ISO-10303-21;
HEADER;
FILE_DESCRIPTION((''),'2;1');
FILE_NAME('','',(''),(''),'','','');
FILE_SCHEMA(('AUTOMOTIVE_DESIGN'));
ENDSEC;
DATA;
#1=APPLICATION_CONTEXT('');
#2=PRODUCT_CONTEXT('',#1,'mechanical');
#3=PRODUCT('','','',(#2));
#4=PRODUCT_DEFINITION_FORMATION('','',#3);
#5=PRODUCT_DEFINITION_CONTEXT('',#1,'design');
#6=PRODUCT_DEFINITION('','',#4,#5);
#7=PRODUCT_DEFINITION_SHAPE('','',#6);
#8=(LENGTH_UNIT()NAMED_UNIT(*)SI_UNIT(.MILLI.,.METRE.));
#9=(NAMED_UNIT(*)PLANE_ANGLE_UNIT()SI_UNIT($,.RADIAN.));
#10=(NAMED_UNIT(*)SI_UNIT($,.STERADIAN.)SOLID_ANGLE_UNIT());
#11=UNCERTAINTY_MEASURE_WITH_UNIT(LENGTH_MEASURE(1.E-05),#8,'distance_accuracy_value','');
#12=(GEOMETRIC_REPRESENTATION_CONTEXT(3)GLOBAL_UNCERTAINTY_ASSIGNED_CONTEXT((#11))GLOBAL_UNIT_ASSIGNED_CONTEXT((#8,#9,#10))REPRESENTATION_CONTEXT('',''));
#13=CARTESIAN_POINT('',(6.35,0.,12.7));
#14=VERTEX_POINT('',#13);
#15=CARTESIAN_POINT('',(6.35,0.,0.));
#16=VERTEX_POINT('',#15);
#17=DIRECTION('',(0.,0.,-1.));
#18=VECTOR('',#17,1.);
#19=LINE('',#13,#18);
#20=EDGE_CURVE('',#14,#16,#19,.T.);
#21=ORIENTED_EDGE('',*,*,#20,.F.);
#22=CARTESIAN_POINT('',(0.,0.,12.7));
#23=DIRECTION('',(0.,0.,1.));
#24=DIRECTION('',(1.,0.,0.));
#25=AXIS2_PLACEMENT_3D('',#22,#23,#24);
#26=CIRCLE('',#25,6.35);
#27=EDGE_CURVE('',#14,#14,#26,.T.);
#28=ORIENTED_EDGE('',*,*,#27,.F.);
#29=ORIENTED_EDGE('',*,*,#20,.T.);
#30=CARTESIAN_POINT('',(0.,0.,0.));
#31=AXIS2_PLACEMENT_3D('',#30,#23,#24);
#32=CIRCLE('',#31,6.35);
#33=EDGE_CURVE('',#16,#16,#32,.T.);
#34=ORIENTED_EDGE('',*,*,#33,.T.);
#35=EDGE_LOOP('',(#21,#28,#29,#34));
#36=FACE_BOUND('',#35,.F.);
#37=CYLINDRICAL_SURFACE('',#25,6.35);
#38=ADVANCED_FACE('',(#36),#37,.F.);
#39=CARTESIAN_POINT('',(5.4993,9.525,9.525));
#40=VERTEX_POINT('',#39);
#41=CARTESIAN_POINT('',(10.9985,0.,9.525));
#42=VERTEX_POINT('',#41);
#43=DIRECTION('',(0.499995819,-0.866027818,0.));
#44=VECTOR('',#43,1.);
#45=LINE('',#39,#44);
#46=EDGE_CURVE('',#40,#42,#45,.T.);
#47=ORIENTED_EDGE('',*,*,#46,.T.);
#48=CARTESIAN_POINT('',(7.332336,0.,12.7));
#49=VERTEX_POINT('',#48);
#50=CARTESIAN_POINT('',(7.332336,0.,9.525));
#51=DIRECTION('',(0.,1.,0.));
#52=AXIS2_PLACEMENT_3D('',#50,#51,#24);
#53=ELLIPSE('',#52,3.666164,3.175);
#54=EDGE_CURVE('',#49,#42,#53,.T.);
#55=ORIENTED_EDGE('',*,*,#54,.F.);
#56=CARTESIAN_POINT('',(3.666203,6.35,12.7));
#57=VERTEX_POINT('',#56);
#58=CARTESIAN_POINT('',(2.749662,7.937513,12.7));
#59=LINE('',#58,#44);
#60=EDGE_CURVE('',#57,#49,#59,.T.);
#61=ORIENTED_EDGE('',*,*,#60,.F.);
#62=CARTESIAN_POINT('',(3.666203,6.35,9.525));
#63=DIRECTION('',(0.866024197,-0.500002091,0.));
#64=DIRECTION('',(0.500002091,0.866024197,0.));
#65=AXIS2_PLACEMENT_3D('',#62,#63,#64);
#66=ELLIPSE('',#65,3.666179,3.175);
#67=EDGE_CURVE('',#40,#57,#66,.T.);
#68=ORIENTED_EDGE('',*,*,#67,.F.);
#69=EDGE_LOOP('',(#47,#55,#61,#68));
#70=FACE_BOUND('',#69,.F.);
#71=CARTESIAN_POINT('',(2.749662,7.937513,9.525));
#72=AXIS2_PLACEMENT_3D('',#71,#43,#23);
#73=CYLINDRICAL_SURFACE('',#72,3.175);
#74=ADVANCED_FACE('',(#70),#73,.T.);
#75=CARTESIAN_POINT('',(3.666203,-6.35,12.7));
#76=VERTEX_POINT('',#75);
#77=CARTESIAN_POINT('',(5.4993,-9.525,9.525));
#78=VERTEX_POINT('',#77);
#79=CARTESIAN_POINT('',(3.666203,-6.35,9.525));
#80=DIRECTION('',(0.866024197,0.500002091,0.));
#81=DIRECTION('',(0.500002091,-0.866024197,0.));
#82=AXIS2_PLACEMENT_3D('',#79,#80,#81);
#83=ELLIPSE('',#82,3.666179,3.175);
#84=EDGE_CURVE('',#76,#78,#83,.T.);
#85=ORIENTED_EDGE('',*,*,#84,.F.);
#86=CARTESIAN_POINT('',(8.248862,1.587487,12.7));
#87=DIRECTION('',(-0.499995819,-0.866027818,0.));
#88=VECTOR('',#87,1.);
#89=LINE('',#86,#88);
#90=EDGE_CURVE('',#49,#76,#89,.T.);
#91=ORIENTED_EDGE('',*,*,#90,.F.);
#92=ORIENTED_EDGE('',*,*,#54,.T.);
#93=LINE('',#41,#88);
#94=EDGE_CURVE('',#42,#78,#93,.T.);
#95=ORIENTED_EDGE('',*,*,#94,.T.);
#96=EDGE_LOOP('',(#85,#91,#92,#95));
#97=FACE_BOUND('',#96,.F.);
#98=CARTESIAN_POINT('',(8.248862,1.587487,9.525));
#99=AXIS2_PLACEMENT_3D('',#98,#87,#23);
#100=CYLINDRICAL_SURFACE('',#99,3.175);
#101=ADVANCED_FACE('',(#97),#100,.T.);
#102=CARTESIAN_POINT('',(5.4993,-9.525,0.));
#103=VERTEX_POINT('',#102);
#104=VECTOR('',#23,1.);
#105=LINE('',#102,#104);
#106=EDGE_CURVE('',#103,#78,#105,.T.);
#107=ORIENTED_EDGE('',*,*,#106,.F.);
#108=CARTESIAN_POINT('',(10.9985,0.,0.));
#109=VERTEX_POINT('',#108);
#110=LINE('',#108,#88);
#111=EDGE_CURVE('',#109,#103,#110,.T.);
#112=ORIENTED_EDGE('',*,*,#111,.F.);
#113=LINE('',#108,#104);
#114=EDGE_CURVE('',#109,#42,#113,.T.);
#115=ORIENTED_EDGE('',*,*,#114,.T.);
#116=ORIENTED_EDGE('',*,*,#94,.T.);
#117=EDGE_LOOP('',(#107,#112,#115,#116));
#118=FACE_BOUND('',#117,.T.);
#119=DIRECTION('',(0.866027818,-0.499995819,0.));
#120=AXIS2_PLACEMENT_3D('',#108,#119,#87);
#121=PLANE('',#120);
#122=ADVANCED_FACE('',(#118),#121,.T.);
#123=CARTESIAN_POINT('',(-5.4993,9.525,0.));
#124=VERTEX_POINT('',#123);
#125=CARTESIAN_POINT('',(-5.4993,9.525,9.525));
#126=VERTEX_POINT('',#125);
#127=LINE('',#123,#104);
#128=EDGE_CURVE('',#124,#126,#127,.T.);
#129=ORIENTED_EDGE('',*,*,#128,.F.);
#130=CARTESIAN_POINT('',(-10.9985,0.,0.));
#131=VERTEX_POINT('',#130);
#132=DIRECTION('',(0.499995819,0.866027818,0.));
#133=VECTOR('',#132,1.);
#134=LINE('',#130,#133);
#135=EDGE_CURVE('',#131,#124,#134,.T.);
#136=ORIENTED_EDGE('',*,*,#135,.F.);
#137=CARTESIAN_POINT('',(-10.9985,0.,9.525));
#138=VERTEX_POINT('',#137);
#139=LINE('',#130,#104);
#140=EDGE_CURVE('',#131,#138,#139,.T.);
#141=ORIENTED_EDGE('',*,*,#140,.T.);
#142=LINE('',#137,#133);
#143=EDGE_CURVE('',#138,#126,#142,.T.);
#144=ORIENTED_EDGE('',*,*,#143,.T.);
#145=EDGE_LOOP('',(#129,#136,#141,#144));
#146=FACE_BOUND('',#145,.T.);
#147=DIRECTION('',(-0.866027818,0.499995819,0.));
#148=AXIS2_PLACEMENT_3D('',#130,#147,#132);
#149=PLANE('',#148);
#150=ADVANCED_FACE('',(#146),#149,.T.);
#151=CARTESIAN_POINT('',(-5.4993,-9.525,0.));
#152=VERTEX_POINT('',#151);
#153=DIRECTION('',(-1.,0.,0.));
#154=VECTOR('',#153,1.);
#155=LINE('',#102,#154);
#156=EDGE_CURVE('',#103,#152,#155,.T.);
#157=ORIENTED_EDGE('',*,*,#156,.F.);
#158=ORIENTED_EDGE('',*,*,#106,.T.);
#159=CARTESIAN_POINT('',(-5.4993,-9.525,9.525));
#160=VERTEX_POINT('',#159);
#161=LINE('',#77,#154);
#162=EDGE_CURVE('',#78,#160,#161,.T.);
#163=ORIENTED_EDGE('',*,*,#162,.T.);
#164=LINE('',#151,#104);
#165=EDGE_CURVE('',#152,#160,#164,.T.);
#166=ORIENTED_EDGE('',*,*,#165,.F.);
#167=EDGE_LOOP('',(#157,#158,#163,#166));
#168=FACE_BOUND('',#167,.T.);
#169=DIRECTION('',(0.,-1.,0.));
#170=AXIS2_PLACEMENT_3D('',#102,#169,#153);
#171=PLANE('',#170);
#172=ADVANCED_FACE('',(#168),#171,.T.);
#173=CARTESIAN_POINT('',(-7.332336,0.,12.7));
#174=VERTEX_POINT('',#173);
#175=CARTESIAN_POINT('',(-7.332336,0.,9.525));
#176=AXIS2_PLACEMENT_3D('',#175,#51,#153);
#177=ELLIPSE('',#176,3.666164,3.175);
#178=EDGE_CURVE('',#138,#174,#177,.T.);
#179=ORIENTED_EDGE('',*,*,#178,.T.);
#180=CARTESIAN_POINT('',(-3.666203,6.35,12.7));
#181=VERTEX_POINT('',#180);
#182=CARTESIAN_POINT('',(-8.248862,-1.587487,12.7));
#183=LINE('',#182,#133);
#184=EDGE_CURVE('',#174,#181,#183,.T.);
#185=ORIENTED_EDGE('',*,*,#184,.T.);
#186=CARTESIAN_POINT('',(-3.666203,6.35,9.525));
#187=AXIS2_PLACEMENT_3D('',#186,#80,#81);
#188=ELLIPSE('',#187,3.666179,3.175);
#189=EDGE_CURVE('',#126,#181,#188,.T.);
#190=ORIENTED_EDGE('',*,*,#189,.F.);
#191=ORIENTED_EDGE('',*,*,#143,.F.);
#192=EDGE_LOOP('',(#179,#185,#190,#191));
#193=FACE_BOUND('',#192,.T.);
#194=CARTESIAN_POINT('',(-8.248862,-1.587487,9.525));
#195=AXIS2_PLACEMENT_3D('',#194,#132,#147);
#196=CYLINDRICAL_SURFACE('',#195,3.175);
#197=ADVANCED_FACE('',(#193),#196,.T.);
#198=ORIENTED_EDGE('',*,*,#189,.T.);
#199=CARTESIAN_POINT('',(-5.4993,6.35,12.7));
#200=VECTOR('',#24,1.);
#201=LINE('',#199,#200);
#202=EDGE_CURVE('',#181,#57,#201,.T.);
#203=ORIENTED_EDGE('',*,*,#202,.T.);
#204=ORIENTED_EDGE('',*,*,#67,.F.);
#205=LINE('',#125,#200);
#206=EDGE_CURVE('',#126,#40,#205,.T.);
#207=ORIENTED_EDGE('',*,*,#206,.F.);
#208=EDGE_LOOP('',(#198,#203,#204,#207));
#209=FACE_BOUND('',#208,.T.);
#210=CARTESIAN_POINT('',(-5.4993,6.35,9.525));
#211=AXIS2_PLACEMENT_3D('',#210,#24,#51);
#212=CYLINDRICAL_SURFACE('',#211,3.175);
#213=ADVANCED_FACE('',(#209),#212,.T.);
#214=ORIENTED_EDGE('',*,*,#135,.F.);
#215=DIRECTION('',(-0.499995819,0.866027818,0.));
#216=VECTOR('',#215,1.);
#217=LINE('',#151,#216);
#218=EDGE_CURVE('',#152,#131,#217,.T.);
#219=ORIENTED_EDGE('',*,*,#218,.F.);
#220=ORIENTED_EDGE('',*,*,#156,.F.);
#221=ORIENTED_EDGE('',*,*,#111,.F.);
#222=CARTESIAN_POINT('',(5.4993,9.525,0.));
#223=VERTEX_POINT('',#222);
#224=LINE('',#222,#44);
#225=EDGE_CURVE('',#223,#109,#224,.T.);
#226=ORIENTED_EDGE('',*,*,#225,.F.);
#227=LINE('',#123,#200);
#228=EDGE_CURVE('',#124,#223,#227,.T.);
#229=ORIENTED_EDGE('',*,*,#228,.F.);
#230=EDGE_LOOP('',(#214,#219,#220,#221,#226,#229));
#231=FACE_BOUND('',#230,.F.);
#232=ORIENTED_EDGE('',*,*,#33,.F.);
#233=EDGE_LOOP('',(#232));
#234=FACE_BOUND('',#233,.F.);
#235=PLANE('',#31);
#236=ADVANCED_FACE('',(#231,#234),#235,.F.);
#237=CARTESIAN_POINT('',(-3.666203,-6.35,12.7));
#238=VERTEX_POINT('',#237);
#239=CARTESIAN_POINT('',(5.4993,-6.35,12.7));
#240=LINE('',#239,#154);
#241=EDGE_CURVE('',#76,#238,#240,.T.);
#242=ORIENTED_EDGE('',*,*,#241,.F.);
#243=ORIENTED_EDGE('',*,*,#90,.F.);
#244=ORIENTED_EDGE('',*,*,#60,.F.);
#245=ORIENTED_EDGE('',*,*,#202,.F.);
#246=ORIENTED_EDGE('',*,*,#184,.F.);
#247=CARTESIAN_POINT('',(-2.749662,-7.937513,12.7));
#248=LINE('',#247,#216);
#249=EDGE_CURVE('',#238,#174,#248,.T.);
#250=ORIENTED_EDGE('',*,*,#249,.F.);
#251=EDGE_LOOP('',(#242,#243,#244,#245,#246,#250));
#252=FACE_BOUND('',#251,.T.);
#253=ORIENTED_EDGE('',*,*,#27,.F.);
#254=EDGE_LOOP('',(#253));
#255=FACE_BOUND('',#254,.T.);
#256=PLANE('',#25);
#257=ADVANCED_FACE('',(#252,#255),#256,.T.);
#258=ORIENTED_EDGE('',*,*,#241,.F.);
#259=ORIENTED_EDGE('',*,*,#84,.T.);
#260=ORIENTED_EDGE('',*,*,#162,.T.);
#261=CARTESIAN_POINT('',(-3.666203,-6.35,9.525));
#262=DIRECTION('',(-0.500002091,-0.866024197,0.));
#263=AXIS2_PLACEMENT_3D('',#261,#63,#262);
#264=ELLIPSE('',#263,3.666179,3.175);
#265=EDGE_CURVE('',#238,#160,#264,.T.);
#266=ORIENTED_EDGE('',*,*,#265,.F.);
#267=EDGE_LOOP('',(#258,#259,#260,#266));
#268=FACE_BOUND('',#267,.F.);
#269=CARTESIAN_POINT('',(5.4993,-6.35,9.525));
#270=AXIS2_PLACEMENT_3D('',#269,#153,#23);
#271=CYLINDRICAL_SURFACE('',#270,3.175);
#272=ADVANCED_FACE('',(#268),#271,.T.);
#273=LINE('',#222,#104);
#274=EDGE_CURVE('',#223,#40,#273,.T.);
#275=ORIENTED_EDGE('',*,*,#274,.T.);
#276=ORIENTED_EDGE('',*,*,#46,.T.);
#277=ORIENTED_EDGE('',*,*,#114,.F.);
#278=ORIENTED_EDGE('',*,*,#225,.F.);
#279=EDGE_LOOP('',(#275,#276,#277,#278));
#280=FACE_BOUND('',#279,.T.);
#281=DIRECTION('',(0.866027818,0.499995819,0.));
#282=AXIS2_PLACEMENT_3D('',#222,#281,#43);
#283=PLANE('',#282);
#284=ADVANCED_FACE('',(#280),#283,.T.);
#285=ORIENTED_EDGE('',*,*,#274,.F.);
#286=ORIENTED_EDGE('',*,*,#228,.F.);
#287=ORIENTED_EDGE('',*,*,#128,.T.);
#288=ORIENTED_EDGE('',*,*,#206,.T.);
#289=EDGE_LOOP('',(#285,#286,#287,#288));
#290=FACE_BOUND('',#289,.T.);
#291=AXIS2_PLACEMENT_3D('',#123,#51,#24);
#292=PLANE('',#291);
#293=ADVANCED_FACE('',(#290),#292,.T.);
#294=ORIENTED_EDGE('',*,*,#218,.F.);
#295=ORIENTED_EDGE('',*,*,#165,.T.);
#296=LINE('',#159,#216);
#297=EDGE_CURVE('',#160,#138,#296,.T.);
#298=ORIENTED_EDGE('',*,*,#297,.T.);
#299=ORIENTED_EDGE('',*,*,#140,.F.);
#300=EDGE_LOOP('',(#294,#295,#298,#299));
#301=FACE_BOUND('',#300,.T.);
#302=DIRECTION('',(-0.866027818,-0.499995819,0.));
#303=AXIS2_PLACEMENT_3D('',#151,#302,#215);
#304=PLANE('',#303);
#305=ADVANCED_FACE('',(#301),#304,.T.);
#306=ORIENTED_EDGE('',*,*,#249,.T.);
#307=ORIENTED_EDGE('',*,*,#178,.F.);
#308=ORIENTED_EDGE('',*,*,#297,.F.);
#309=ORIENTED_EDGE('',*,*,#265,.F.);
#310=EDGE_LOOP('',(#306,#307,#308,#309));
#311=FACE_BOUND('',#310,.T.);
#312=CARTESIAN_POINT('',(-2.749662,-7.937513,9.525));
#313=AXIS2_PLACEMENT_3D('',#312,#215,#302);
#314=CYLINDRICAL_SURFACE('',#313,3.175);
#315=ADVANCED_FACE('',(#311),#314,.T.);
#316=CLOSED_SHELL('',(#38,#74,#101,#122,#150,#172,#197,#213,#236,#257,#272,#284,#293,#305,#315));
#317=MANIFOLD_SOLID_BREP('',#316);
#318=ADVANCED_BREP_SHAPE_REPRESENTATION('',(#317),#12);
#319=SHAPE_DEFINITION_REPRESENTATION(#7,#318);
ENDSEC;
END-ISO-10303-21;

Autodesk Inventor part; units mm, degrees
ref_plane "YZ Plane" through (0, 0, 0) normal (1, 0, 0) x (0, 1, 0)
ref_plane "XZ Plane" through (0, 0, 0) normal (0, 1, 0) x (-1, 0, 0)
ref_plane "XY Plane" through (0, 0, 0) normal (0, 0, 1) x (1, 0, 0)
sketch "Sketch1" plane through (0, 0, 0) normal (0, 0, 1) x (1, 0, 0)
  line L0 (-10.9985, 0) -> (-5.4993, 9.525)
  line L1 (-5.4993, 9.525) -> (5.4993, 9.525)
  line L2 (5.4993, 9.525) -> (10.9985, 0)
  line L3 (10.9985, 0) -> (5.4993, -9.525)
  line L4 (5.4993, -9.525) -> (-5.4993, -9.525)
  line L5 (-5.4993, -9.525) -> (-10.9985, 0)
  point P0 (0, 0)
  point P1 (0, 0)
  dimension "d0" = 19.05
extrude "Extrusion1" add sketch "Sketch1" along normal blind 12.7
sketch "Sketch2" plane through (0, 0, 12.7) normal (0, 0, 1) x (1, 0, 0)
  circle A0 centre (0, 0) radius 6.35
  dimension "d3" = 12.7
extrude "Extrusion2" cut sketch "Sketch2" against normal blind 12.7
thread "Thread1" size "1/2-13 UNC" class "2B" standard "ANSI Unified Screw Threads" full length
fillet "Fillet1" radius 3.175 6 edges at (0, 9.525, 12.7) (8.2489, 4.7625, 12.7) (8.2489, -4.7625, 12.7) (0, -9.525, 12.7) (-8.2489, -4.7625, 12.7) (-8.2489, 4.7625, 12.7)
properties part number "LucasCharles part 5 nut final" material "Stainless Steel, Austenitic"
